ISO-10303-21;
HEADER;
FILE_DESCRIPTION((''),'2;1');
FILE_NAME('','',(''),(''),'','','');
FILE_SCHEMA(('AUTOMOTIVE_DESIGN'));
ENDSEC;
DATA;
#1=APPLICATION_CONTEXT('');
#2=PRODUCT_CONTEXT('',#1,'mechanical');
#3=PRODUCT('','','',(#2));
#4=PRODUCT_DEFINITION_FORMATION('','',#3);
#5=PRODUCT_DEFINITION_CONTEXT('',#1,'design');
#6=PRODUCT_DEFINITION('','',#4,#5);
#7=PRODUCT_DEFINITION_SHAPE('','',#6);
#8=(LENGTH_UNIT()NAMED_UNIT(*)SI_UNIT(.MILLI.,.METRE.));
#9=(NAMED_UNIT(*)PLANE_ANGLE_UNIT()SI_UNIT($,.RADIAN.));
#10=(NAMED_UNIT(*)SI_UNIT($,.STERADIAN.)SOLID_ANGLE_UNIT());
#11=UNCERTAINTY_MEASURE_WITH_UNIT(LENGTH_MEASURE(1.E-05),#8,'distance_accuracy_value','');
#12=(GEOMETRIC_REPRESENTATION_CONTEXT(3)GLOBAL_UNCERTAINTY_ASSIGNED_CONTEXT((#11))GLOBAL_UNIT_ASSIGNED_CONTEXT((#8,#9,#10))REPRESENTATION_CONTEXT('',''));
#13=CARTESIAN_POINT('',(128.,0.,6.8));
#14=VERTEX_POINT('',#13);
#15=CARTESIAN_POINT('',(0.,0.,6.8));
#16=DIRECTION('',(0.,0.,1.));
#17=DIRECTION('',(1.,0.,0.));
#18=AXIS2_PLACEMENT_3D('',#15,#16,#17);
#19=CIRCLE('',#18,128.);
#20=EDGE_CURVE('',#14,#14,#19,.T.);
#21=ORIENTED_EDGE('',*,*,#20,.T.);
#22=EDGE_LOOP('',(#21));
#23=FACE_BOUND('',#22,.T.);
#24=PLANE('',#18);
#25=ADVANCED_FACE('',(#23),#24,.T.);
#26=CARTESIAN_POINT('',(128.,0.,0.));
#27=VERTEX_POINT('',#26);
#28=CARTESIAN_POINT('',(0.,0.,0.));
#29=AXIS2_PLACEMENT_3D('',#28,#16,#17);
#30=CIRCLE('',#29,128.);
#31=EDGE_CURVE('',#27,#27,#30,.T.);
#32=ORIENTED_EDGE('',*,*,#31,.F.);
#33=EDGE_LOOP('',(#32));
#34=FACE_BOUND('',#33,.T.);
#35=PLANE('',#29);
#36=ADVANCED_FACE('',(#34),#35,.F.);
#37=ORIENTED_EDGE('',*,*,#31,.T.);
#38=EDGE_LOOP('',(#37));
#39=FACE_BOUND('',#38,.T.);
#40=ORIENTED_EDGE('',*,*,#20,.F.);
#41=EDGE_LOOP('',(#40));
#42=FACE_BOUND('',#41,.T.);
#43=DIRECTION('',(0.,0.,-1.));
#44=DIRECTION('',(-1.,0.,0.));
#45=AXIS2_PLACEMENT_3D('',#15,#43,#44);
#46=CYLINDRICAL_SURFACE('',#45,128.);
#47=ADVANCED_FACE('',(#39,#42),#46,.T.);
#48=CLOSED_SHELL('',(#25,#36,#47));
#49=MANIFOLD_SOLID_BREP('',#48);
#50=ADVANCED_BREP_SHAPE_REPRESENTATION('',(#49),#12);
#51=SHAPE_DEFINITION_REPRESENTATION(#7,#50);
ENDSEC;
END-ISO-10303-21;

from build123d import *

# Parameters (mm, degrees)
SKETCH1_R           = 128
BOSS_EXTRUDE1_DEPTH = 6.8


with BuildPart() as part:
    # Sketch1 → Boss-Extrude1 (new body)
    with BuildSketch(Plane.XY):
        Circle(SKETCH1_R)
    extrude(amount=BOSS_EXTRUDE1_DEPTH)


solid = part.part
